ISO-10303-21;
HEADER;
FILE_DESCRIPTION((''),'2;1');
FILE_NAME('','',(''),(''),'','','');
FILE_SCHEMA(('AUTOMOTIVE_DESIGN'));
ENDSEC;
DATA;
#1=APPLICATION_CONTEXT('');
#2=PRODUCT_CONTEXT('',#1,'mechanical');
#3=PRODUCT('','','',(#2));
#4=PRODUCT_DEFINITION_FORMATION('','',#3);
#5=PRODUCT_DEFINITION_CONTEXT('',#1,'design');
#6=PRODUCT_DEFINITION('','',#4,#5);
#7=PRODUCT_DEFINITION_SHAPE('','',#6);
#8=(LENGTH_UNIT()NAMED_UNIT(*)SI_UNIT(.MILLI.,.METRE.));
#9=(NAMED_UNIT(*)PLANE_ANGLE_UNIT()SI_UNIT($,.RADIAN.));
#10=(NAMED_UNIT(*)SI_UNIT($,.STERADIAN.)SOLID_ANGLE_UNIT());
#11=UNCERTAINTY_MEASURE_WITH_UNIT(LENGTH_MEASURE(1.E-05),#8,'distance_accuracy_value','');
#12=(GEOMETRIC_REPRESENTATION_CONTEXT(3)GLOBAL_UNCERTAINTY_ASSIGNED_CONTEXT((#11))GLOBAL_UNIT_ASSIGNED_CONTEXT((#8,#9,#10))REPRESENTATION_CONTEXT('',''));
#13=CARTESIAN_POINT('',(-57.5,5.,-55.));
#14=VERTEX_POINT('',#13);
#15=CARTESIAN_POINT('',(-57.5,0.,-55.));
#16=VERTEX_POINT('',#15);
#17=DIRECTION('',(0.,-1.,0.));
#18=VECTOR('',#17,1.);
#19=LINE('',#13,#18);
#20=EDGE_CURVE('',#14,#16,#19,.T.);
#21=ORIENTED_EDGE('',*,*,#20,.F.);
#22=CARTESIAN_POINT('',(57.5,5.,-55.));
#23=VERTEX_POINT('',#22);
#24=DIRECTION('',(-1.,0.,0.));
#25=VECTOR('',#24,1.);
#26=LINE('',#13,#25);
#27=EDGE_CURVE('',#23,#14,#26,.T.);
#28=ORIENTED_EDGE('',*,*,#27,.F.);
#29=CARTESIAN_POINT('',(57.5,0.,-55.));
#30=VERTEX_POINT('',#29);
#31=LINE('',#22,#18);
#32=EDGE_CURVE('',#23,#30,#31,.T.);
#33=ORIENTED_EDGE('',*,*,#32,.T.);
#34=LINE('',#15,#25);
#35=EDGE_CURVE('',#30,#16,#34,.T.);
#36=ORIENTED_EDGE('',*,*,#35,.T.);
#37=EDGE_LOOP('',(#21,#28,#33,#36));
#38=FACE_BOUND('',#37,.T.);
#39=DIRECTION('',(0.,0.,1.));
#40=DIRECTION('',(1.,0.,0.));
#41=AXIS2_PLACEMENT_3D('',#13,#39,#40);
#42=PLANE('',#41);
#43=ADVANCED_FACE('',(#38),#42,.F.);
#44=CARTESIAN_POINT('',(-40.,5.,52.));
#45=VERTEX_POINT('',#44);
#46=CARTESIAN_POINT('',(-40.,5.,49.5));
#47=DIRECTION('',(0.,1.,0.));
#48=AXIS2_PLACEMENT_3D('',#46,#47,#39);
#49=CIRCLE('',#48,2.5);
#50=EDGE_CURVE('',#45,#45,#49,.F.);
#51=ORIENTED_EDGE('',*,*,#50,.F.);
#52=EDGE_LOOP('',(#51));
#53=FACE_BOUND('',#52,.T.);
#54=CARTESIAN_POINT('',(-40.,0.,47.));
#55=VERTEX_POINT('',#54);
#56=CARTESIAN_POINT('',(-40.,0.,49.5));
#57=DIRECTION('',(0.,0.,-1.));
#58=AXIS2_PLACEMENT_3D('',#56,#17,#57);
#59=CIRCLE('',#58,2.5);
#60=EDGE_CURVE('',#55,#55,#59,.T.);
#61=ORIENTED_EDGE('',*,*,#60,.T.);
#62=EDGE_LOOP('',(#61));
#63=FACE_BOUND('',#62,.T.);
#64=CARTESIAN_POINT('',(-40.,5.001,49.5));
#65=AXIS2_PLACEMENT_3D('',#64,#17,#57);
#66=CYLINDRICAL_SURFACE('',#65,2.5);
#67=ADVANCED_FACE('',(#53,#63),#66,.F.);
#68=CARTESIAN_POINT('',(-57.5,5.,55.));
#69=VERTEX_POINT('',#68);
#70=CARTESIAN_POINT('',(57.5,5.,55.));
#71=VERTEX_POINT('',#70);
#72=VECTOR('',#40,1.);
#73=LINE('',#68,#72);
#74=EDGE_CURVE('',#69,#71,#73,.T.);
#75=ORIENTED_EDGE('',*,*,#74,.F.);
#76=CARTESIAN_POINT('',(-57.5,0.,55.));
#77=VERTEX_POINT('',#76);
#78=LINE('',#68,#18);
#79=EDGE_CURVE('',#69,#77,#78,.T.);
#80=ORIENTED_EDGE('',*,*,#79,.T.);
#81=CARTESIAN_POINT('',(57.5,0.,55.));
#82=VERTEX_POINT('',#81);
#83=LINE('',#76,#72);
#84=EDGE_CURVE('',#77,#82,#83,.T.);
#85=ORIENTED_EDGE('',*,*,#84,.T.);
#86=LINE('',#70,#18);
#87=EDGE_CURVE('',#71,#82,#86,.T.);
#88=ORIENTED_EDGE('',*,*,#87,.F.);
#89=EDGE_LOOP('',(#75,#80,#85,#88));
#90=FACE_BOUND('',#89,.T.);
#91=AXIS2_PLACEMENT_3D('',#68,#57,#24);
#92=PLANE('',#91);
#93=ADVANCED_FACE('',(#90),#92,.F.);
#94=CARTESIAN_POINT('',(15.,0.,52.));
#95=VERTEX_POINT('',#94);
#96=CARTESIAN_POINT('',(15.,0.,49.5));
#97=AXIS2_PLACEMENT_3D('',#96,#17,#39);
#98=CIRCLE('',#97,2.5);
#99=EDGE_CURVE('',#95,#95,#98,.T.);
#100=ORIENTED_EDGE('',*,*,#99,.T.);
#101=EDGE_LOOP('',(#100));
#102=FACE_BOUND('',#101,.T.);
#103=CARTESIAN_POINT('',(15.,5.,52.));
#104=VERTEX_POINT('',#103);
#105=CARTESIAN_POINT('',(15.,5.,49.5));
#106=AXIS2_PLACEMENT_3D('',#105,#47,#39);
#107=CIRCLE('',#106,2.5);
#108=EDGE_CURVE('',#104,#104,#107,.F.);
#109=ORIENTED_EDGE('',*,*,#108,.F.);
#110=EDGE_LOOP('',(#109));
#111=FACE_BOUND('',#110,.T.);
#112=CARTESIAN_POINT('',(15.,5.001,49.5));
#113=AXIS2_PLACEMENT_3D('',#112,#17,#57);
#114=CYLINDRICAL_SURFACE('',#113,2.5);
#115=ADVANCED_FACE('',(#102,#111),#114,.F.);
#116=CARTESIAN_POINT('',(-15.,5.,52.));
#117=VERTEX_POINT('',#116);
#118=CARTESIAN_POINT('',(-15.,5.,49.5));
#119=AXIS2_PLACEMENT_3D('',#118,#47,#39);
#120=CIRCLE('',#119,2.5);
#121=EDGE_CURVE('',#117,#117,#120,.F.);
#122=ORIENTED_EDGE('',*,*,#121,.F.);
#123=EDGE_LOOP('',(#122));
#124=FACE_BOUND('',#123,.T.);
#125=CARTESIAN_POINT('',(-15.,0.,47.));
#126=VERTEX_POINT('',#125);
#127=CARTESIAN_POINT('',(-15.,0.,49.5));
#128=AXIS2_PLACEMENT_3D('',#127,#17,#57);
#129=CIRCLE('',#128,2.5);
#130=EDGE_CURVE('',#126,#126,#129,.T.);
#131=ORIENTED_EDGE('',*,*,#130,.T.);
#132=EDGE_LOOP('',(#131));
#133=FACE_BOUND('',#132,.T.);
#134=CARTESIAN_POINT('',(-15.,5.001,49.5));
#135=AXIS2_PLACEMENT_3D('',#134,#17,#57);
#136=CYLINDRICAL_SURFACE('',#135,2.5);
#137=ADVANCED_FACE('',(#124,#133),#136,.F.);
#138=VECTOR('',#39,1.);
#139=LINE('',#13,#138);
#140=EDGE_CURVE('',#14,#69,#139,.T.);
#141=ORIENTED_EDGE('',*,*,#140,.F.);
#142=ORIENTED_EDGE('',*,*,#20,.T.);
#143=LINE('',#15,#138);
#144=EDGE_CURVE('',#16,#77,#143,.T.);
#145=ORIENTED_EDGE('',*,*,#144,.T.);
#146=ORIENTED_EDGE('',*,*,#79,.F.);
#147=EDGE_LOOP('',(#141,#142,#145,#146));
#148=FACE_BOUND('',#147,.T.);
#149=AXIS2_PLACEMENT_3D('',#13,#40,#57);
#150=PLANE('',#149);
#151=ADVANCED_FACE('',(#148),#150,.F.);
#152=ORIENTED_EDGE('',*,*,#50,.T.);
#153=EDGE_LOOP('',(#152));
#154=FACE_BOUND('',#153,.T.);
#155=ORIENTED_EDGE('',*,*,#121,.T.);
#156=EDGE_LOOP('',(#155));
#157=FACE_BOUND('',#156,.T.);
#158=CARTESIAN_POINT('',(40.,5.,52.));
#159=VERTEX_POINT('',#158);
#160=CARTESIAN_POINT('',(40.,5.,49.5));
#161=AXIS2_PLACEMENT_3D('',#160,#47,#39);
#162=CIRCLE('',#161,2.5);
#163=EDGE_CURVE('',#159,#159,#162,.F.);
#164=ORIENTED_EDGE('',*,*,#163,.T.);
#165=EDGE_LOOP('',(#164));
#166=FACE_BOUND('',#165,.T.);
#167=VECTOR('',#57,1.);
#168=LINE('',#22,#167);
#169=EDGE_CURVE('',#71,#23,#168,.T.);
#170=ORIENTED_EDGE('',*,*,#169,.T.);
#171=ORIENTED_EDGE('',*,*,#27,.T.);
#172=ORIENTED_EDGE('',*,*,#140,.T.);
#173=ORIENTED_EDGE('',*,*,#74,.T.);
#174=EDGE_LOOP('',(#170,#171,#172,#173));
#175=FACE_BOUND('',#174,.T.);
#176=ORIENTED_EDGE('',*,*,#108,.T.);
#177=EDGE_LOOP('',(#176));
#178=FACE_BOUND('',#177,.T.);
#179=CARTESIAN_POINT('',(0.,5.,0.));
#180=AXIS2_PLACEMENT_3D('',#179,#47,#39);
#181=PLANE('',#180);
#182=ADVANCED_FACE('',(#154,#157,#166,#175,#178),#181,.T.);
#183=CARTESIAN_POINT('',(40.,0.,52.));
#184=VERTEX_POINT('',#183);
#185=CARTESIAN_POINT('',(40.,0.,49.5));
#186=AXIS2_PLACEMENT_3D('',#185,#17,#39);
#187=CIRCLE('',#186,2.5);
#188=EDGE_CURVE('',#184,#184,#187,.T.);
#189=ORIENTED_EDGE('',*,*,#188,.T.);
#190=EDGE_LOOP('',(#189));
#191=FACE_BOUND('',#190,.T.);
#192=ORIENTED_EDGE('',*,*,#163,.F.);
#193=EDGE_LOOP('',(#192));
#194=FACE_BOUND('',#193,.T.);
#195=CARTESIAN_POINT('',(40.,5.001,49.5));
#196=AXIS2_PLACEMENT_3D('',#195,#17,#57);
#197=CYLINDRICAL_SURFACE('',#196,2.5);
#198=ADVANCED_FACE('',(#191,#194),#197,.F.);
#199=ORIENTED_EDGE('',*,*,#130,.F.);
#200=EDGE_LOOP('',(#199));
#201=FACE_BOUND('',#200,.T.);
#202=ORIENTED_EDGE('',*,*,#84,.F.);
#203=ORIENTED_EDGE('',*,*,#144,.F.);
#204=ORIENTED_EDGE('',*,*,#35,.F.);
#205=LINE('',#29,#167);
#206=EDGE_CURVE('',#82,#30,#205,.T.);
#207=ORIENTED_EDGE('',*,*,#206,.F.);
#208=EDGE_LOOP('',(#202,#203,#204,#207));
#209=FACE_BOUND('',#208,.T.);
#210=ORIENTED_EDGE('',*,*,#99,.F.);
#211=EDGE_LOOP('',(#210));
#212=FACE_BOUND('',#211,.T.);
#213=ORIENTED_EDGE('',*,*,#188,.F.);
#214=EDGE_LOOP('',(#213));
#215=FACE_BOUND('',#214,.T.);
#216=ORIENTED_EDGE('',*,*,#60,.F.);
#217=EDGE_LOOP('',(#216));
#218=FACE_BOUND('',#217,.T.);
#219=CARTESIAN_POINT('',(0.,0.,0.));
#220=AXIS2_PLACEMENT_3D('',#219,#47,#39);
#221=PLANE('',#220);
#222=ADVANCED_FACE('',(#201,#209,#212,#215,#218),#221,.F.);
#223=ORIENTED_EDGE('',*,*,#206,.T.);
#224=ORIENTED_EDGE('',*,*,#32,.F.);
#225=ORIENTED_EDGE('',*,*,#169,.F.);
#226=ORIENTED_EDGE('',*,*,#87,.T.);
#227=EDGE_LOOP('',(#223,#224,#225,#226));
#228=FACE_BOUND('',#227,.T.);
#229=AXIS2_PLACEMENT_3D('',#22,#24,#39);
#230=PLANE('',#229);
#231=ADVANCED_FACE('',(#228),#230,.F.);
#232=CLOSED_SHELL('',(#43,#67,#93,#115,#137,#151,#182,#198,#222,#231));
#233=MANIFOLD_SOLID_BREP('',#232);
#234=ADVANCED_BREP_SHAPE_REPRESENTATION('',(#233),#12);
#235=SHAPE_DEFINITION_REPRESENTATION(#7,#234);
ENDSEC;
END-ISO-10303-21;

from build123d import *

# Parameters (mm, degrees)
SKETCH2_W           = 115
SKETCH2_H           = 110
BOSS_EXTRUDE1_DEPTH = 5
CUT_EXTRUDE1_REACH  = 7
SKETCH3_R           = 2.5


with BuildPart() as part:
    # Sketch2 → Boss-Extrude1 (new body)
    with BuildSketch(Plane(origin=(0, 0, 0), x_dir=(1, 0, 0), z_dir=(0, 1, 0))):
        Rectangle(SKETCH2_W, SKETCH2_H)
    extrude(amount=BOSS_EXTRUDE1_DEPTH)

    # Sketch3 → Cut-Extrude1 (cut, up to next)
    with BuildSketch(Plane.XZ, mode=Mode.PRIVATE) as cut_extrude1_sk1:
        with Locations((-40, 49.5)):
            Circle(SKETCH3_R)
    cut_extrude1_tool1 = extrude(cut_extrude1_sk1.sketch, amount=-CUT_EXTRUDE1_REACH, mode=Mode.PRIVATE) & part.part
    add(cut_extrude1_tool1.solids().sort_by_distance((-40, 0, 49.5))[0], mode=Mode.SUBTRACT)
    # Sketch3 → Cut-Extrude1 (cut, up to next)
    with BuildSketch(Plane.XZ, mode=Mode.PRIVATE) as cut_extrude1_sk2:
        with Locations((-15, 49.5)):
            Circle(SKETCH3_R)
    cut_extrude1_tool2 = extrude(cut_extrude1_sk2.sketch, amount=-CUT_EXTRUDE1_REACH, mode=Mode.PRIVATE) & part.part
    add(cut_extrude1_tool2.solids().sort_by_distance((-15, 0, 49.5))[0], mode=Mode.SUBTRACT)
    # Sketch3 → Cut-Extrude1 (cut, up to next)
    with BuildSketch(Plane.XZ, mode=Mode.PRIVATE) as cut_extrude1_sk3:
        with Locations((40, 49.5)):
            Circle(SKETCH3_R)
    cut_extrude1_tool3 = extrude(cut_extrude1_sk3.sketch, amount=-CUT_EXTRUDE1_REACH, mode=Mode.PRIVATE) & part.part
    add(cut_extrude1_tool3.solids().sort_by_distance((40, 0, 49.5))[0], mode=Mode.SUBTRACT)
    # Sketch3 → Cut-Extrude1 (cut, up to next)
    with BuildSketch(Plane.XZ, mode=Mode.PRIVATE) as cut_extrude1_sk4:
        with Locations((15, 49.5)):
            Circle(SKETCH3_R)
    cut_extrude1_tool4 = extrude(cut_extrude1_sk4.sketch, amount=-CUT_EXTRUDE1_REACH, mode=Mode.PRIVATE) & part.part
    add(cut_extrude1_tool4.solids().sort_by_distance((15, 0, 49.5))[0], mode=Mode.SUBTRACT)


solid = part.part
